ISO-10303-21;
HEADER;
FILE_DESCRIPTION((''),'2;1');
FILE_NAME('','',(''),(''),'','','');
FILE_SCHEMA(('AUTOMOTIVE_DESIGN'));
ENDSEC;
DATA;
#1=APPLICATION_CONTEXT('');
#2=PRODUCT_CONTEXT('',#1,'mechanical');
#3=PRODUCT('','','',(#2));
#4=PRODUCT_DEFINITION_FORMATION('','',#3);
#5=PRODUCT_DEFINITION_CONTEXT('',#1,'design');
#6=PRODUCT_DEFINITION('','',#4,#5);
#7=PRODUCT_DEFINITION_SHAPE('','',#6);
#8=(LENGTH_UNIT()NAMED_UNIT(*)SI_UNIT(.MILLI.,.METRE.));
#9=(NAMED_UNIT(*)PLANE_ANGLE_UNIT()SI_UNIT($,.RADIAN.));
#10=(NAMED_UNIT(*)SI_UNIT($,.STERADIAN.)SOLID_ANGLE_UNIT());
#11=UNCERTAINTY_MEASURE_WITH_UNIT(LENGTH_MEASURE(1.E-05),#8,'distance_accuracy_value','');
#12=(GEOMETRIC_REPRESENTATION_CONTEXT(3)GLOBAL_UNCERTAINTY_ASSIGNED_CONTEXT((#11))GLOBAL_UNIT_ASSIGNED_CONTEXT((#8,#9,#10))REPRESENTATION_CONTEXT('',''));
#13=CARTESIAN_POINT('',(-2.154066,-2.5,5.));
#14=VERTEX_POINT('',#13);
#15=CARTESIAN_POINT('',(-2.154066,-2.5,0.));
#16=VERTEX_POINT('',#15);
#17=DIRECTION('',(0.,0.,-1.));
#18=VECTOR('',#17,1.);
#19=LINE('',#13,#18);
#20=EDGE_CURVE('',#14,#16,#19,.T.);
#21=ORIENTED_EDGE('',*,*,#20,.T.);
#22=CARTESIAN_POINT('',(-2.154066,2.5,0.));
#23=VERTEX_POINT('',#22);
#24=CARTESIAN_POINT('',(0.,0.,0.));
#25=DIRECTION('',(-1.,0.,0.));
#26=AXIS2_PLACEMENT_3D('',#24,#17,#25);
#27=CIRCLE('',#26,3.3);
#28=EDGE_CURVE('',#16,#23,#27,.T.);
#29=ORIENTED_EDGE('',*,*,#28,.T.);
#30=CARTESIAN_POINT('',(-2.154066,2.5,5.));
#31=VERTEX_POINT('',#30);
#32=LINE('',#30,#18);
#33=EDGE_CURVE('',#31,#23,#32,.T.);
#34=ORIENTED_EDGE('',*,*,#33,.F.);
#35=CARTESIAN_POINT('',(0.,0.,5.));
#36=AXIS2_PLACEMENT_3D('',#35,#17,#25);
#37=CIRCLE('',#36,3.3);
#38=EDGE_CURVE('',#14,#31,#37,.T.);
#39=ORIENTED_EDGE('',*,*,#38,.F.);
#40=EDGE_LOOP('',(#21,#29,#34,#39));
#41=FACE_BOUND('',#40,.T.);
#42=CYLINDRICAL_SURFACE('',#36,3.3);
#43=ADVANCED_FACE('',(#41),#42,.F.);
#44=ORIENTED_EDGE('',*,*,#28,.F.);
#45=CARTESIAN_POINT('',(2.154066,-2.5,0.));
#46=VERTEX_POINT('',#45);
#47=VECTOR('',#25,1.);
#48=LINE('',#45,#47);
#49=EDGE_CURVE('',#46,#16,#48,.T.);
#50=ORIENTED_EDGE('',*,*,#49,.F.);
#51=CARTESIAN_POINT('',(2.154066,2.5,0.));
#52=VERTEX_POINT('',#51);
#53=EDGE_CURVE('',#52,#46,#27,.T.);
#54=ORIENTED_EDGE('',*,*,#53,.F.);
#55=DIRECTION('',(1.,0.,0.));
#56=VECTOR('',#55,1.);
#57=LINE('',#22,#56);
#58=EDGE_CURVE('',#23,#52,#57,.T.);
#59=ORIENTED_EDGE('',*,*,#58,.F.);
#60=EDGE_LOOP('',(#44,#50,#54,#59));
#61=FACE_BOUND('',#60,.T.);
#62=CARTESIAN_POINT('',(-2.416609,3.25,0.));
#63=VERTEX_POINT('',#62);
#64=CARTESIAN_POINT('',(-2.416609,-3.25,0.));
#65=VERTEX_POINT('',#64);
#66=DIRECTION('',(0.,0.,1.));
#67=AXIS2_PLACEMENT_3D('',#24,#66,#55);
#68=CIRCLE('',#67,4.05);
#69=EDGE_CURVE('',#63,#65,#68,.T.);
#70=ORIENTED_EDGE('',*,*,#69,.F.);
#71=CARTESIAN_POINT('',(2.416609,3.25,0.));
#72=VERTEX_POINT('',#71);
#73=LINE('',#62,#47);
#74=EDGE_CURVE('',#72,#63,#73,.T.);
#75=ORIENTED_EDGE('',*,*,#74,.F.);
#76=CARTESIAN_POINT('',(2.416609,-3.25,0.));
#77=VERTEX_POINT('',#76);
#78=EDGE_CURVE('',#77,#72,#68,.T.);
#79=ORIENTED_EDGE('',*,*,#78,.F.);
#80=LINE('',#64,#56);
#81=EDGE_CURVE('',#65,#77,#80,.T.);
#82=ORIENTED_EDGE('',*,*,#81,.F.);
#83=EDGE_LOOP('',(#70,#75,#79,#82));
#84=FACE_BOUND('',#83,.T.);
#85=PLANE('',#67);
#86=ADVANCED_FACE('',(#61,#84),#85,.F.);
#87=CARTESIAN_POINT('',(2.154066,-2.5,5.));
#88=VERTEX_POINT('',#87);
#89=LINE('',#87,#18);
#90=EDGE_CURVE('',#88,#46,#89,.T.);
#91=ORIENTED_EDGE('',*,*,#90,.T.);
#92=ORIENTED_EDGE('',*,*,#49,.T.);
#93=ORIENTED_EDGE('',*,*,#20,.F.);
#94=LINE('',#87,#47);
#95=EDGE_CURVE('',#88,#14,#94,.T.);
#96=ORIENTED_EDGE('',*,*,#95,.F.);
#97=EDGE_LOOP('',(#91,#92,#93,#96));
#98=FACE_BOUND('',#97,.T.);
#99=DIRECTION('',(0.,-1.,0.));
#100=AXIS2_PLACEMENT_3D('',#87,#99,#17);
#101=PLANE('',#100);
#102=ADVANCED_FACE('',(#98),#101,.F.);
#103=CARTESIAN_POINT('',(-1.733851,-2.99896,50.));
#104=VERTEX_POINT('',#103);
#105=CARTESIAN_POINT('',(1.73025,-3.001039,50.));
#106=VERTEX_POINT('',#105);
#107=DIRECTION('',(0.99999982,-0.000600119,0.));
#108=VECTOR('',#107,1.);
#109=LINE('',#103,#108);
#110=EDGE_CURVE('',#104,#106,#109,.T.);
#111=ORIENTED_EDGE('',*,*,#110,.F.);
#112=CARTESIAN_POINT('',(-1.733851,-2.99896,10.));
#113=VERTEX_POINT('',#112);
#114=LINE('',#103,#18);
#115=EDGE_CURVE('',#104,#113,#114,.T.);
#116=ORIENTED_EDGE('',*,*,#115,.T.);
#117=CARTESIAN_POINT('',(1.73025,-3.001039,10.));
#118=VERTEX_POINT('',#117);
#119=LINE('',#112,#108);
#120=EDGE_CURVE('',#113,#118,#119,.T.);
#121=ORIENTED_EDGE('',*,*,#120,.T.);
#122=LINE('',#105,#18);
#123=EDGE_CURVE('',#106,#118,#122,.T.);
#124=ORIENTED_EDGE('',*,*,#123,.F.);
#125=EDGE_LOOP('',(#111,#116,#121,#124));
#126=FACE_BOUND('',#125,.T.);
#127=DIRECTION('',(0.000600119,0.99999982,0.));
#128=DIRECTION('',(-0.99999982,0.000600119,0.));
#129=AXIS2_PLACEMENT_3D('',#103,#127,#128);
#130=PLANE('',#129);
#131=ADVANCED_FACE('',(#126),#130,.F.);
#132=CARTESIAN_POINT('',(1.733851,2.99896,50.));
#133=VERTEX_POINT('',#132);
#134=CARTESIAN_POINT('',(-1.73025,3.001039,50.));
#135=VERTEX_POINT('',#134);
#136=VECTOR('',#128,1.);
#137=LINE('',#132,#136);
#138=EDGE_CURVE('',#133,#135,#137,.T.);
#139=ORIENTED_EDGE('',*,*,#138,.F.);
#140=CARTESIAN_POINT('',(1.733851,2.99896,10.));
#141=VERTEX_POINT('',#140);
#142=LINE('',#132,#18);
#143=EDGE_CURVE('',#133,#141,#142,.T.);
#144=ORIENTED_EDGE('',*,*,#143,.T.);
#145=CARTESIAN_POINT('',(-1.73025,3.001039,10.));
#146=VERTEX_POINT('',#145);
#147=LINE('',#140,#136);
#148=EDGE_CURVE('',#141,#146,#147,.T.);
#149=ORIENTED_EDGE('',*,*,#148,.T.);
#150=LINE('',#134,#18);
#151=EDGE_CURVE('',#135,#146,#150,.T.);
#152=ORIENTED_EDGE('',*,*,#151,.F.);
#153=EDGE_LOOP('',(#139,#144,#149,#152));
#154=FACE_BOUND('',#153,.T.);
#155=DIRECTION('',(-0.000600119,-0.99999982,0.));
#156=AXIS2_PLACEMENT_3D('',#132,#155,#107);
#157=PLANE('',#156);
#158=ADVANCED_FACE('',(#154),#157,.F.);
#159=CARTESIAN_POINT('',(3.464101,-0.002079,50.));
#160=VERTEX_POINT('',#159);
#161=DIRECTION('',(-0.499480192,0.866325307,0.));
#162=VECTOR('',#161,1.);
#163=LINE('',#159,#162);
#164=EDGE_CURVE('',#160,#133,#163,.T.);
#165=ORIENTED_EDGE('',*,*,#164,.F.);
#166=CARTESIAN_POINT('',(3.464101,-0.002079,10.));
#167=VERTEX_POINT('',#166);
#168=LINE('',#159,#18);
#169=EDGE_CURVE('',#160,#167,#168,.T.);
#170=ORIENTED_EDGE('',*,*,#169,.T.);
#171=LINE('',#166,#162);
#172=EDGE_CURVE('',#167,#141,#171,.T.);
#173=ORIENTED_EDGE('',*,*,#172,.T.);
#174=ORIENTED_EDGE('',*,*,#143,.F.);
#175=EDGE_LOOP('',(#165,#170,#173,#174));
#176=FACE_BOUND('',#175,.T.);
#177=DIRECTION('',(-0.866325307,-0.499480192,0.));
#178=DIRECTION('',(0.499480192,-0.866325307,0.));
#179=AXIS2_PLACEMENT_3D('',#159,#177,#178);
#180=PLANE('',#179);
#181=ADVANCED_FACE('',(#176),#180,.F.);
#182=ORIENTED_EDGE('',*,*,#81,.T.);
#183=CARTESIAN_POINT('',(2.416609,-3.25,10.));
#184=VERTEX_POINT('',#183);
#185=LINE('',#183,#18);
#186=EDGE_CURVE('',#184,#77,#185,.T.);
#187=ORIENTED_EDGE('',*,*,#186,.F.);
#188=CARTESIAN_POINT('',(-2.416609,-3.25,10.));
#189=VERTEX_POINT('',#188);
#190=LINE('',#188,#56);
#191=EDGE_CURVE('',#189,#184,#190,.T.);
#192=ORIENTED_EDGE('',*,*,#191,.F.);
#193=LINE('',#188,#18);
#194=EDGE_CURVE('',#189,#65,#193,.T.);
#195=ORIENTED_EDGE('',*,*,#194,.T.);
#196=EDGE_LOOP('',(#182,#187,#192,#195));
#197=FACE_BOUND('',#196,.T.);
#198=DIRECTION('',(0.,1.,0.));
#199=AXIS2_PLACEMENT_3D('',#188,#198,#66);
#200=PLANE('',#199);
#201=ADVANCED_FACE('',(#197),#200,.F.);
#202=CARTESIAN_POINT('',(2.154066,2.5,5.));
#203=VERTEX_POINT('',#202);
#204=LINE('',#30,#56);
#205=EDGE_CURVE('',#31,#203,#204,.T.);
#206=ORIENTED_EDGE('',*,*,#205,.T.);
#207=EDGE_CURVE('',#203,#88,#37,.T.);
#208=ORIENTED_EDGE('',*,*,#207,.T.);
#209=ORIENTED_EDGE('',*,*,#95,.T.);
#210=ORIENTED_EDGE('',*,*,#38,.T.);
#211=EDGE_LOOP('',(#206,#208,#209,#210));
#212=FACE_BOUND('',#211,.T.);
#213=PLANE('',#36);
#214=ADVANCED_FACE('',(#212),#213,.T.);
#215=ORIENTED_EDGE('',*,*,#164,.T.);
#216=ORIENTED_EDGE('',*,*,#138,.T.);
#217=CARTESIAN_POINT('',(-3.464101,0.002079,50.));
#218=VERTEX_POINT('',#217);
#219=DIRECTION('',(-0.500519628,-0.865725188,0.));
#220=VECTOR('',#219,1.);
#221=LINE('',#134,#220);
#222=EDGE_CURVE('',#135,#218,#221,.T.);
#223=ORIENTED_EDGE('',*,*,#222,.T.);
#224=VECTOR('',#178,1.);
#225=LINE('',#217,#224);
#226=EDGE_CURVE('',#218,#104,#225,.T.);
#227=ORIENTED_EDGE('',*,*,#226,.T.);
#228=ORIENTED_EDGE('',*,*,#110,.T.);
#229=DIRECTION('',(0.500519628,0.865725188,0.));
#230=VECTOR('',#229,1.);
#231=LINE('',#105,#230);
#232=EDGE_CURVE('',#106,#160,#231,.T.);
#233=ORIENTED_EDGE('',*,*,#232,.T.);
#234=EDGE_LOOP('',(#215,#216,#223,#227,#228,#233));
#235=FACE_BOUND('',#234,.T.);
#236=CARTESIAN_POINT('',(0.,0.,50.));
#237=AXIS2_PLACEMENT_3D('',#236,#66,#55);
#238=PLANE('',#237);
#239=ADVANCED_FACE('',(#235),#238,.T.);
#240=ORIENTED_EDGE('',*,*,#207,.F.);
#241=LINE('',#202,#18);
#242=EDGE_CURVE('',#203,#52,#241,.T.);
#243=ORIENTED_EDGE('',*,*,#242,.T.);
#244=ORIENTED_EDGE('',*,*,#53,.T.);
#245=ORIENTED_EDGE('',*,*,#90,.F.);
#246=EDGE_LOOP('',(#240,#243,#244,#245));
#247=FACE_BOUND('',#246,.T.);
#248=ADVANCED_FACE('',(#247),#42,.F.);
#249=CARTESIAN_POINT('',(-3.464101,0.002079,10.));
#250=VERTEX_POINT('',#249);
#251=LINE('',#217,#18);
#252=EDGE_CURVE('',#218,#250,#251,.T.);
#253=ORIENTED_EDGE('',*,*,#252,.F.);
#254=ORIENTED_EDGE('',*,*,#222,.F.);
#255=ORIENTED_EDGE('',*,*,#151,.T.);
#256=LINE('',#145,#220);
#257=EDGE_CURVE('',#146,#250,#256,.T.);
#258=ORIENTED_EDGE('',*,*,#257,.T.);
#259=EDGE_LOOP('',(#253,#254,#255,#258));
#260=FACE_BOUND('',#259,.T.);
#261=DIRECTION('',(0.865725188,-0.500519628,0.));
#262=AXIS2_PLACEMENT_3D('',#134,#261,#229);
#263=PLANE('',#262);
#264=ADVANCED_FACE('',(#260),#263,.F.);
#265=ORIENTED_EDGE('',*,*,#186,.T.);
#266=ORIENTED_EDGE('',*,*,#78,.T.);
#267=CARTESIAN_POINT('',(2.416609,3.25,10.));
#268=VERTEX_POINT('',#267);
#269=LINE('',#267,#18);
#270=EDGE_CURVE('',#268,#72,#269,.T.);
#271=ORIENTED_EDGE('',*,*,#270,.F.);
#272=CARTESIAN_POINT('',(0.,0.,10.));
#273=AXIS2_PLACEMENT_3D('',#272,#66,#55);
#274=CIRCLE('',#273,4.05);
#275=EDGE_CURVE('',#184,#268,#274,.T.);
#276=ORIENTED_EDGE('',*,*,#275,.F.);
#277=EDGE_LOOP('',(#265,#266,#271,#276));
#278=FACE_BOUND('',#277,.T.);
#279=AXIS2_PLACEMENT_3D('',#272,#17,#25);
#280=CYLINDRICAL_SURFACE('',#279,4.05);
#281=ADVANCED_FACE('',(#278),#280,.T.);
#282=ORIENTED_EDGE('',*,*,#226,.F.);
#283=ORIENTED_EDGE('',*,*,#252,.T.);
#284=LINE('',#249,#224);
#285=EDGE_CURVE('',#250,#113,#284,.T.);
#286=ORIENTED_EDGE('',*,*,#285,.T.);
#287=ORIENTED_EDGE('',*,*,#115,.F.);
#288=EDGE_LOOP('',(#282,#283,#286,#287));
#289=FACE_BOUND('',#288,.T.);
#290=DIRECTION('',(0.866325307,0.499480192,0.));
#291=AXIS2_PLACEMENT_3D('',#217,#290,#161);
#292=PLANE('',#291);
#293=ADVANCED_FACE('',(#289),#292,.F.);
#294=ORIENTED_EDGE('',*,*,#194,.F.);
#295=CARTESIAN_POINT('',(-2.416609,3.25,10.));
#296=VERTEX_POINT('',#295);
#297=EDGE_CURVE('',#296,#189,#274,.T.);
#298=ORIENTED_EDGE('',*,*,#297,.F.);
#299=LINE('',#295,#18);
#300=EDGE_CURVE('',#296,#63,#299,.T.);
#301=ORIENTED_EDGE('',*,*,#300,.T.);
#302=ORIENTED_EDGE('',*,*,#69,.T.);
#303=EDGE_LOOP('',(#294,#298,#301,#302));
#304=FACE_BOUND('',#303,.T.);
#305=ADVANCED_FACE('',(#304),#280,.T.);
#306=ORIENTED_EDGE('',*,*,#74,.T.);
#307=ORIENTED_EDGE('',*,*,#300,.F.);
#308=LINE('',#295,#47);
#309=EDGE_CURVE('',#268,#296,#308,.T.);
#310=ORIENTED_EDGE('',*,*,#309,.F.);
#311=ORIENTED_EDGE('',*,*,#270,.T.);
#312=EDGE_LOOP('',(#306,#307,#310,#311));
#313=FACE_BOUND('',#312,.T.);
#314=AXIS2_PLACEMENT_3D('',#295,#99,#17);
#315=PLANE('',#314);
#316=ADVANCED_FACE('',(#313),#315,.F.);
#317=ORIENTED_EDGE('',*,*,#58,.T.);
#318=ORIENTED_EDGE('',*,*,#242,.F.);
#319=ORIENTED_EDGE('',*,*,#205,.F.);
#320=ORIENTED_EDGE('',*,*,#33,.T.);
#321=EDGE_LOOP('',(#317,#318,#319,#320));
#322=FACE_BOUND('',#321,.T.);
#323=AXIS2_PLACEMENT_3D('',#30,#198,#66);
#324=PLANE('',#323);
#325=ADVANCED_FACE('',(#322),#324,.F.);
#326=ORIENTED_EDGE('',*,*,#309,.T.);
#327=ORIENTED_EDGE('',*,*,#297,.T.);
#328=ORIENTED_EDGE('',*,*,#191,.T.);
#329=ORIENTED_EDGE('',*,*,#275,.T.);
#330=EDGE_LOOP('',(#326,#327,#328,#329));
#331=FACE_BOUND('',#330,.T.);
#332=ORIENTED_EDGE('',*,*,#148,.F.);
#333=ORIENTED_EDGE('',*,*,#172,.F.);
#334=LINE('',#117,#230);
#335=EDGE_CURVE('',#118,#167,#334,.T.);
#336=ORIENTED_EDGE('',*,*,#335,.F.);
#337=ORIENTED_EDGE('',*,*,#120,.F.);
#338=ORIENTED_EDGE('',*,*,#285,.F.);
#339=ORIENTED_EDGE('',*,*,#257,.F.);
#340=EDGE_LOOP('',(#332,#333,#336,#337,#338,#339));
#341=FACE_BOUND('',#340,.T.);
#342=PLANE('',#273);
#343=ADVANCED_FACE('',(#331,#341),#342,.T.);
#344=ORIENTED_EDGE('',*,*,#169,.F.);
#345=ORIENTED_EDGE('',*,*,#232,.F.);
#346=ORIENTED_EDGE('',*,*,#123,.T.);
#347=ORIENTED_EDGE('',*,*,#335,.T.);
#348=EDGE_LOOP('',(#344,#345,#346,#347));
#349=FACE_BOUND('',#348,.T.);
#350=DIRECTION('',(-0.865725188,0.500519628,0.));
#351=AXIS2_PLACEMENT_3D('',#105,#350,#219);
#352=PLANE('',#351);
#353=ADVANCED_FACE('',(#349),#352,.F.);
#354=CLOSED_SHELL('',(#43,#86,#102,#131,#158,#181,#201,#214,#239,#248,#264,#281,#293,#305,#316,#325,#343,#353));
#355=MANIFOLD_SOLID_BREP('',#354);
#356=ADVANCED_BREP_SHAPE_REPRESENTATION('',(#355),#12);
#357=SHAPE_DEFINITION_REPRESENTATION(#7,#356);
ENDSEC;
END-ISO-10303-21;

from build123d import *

# Parameters (mm, degrees)
BOSS_EXTRUDE2_DEPTH = 10
BOSS_EXTRUDE3_DEPTH = 40
CUT_EXTRUDE1_DEPTH  = 5


with BuildPart() as part:
    # Sketch1 → Boss-Extrude2 (new body)
    with BuildSketch(Plane.XY):
        with BuildLine():
            Line((-2.416609195, 3.25), (2.416609195, 3.25))
            ThreePointArc((2.416609195, 3.25), (4.05, 0), (2.416609195, -3.25))
            Line((2.416609195, -3.25), (-2.416609195, -3.25))
            ThreePointArc((-2.416609195, -3.25), (-4.05, 0), (-2.416609195, 3.25))
        make_face()
    extrude(amount=BOSS_EXTRUDE2_DEPTH)

    # Sketch4 → Boss-Extrude3 (add)
    with BuildSketch(Plane.XY.offset(10)):
        Polygon((1.730250139, -3.001038896), (3.464100991, -0.002078873), (1.733850853, 2.998960023), (-1.730250139, 3.001038896), (-3.464100991, 0.002078873), (-1.733850853, -2.998960023), align=None)
    extrude(amount=BOSS_EXTRUDE3_DEPTH)

    # Sketch3 → Cut-Extrude1 (cut)
    with BuildSketch(Plane(origin=(0, 0, 0), x_dir=(-1, 0, 0), z_dir=(0, 0, -1))):
        with BuildLine():
            Line((2.154065923, 2.5), (-2.154065923, 2.5))
            ThreePointArc((-2.154065923, 2.5), (-3.3, 0), (-2.154065923, -2.5))
            Line((-2.154065923, -2.5), (2.154065923, -2.5))
            ThreePointArc((2.154065923, -2.5), (3.3, 0), (2.154065923, 2.5))
        make_face()
    extrude(amount=-CUT_EXTRUDE1_DEPTH, mode=Mode.SUBTRACT)


solid = part.part
